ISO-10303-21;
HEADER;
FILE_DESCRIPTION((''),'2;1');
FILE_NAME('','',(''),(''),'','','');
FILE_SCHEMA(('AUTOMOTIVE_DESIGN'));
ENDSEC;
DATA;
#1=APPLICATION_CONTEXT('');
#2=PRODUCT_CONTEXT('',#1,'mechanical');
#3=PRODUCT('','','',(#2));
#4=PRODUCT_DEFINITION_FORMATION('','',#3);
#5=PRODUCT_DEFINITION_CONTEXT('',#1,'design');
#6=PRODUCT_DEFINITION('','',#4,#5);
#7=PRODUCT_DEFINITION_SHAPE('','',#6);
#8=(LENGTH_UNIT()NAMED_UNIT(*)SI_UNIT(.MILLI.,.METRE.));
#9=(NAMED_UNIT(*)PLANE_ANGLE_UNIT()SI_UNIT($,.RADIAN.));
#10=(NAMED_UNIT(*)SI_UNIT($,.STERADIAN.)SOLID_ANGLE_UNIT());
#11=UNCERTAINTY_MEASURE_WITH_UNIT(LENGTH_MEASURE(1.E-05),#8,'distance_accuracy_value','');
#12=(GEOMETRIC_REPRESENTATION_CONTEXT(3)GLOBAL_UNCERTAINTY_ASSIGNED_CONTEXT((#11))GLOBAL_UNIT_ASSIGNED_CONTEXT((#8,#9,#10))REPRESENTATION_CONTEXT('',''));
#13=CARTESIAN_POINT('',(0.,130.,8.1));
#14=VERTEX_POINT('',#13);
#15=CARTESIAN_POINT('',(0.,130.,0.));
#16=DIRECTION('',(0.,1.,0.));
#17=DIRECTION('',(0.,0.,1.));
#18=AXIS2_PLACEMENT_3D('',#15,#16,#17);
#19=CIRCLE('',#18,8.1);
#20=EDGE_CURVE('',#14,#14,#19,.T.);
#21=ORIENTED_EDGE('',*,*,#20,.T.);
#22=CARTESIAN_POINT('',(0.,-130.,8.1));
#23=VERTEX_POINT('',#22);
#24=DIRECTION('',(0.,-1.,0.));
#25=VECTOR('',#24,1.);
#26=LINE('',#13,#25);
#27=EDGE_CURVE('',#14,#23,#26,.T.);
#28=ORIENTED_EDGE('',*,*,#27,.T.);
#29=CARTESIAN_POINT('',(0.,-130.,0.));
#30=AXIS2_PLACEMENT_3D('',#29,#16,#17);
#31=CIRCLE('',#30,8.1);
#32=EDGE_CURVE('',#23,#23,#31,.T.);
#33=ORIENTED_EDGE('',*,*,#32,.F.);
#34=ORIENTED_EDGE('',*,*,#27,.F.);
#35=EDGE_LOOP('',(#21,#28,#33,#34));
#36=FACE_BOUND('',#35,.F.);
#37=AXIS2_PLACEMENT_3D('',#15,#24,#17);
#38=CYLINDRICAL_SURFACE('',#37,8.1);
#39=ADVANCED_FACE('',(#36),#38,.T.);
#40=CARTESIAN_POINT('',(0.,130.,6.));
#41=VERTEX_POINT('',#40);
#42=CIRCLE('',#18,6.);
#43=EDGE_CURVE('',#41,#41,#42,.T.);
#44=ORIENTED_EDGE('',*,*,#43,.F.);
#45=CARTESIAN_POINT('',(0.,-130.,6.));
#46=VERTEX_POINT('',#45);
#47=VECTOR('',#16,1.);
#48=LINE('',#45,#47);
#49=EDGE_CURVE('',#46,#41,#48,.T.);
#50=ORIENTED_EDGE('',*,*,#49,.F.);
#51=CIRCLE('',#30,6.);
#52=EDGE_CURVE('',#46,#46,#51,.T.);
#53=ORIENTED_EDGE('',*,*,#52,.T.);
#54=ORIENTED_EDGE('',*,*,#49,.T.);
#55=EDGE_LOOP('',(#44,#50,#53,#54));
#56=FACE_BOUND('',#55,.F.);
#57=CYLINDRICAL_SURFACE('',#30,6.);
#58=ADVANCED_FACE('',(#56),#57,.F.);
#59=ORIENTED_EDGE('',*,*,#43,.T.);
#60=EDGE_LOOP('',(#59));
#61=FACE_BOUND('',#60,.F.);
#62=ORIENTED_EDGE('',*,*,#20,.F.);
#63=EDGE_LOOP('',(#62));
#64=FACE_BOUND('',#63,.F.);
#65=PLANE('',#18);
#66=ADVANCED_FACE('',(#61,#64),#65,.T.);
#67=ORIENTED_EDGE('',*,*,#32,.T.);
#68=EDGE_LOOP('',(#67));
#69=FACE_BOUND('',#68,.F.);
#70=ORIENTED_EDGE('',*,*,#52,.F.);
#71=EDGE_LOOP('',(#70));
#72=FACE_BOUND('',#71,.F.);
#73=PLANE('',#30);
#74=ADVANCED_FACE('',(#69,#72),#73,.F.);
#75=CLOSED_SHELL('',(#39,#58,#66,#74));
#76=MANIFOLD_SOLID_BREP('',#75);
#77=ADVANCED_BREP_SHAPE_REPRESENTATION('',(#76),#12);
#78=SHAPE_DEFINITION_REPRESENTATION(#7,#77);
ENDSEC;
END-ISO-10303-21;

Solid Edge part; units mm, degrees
sketch "Sketch1" plane through (0, 0, 0) normal (1, 0, 0) x (0, 1, 0)
  line L0 (-130, 8.1) -> (-130, 6)
  line L1 (-130, 6) -> (130, 6)
  line L2 (130, 6) -> (130, 8.1)
  line L3 (130, 8.1) -> (-130, 8.1)
  dimension "D1" = 260
  dimension "D2" = 2.1
  dimension "D3" = 6
revolve "RevolvedProtrusion1" add sketch "Sketch1" angle 360 about axis through (0, -60, 0) along (0, 1, 0)
properties material "PVC"
